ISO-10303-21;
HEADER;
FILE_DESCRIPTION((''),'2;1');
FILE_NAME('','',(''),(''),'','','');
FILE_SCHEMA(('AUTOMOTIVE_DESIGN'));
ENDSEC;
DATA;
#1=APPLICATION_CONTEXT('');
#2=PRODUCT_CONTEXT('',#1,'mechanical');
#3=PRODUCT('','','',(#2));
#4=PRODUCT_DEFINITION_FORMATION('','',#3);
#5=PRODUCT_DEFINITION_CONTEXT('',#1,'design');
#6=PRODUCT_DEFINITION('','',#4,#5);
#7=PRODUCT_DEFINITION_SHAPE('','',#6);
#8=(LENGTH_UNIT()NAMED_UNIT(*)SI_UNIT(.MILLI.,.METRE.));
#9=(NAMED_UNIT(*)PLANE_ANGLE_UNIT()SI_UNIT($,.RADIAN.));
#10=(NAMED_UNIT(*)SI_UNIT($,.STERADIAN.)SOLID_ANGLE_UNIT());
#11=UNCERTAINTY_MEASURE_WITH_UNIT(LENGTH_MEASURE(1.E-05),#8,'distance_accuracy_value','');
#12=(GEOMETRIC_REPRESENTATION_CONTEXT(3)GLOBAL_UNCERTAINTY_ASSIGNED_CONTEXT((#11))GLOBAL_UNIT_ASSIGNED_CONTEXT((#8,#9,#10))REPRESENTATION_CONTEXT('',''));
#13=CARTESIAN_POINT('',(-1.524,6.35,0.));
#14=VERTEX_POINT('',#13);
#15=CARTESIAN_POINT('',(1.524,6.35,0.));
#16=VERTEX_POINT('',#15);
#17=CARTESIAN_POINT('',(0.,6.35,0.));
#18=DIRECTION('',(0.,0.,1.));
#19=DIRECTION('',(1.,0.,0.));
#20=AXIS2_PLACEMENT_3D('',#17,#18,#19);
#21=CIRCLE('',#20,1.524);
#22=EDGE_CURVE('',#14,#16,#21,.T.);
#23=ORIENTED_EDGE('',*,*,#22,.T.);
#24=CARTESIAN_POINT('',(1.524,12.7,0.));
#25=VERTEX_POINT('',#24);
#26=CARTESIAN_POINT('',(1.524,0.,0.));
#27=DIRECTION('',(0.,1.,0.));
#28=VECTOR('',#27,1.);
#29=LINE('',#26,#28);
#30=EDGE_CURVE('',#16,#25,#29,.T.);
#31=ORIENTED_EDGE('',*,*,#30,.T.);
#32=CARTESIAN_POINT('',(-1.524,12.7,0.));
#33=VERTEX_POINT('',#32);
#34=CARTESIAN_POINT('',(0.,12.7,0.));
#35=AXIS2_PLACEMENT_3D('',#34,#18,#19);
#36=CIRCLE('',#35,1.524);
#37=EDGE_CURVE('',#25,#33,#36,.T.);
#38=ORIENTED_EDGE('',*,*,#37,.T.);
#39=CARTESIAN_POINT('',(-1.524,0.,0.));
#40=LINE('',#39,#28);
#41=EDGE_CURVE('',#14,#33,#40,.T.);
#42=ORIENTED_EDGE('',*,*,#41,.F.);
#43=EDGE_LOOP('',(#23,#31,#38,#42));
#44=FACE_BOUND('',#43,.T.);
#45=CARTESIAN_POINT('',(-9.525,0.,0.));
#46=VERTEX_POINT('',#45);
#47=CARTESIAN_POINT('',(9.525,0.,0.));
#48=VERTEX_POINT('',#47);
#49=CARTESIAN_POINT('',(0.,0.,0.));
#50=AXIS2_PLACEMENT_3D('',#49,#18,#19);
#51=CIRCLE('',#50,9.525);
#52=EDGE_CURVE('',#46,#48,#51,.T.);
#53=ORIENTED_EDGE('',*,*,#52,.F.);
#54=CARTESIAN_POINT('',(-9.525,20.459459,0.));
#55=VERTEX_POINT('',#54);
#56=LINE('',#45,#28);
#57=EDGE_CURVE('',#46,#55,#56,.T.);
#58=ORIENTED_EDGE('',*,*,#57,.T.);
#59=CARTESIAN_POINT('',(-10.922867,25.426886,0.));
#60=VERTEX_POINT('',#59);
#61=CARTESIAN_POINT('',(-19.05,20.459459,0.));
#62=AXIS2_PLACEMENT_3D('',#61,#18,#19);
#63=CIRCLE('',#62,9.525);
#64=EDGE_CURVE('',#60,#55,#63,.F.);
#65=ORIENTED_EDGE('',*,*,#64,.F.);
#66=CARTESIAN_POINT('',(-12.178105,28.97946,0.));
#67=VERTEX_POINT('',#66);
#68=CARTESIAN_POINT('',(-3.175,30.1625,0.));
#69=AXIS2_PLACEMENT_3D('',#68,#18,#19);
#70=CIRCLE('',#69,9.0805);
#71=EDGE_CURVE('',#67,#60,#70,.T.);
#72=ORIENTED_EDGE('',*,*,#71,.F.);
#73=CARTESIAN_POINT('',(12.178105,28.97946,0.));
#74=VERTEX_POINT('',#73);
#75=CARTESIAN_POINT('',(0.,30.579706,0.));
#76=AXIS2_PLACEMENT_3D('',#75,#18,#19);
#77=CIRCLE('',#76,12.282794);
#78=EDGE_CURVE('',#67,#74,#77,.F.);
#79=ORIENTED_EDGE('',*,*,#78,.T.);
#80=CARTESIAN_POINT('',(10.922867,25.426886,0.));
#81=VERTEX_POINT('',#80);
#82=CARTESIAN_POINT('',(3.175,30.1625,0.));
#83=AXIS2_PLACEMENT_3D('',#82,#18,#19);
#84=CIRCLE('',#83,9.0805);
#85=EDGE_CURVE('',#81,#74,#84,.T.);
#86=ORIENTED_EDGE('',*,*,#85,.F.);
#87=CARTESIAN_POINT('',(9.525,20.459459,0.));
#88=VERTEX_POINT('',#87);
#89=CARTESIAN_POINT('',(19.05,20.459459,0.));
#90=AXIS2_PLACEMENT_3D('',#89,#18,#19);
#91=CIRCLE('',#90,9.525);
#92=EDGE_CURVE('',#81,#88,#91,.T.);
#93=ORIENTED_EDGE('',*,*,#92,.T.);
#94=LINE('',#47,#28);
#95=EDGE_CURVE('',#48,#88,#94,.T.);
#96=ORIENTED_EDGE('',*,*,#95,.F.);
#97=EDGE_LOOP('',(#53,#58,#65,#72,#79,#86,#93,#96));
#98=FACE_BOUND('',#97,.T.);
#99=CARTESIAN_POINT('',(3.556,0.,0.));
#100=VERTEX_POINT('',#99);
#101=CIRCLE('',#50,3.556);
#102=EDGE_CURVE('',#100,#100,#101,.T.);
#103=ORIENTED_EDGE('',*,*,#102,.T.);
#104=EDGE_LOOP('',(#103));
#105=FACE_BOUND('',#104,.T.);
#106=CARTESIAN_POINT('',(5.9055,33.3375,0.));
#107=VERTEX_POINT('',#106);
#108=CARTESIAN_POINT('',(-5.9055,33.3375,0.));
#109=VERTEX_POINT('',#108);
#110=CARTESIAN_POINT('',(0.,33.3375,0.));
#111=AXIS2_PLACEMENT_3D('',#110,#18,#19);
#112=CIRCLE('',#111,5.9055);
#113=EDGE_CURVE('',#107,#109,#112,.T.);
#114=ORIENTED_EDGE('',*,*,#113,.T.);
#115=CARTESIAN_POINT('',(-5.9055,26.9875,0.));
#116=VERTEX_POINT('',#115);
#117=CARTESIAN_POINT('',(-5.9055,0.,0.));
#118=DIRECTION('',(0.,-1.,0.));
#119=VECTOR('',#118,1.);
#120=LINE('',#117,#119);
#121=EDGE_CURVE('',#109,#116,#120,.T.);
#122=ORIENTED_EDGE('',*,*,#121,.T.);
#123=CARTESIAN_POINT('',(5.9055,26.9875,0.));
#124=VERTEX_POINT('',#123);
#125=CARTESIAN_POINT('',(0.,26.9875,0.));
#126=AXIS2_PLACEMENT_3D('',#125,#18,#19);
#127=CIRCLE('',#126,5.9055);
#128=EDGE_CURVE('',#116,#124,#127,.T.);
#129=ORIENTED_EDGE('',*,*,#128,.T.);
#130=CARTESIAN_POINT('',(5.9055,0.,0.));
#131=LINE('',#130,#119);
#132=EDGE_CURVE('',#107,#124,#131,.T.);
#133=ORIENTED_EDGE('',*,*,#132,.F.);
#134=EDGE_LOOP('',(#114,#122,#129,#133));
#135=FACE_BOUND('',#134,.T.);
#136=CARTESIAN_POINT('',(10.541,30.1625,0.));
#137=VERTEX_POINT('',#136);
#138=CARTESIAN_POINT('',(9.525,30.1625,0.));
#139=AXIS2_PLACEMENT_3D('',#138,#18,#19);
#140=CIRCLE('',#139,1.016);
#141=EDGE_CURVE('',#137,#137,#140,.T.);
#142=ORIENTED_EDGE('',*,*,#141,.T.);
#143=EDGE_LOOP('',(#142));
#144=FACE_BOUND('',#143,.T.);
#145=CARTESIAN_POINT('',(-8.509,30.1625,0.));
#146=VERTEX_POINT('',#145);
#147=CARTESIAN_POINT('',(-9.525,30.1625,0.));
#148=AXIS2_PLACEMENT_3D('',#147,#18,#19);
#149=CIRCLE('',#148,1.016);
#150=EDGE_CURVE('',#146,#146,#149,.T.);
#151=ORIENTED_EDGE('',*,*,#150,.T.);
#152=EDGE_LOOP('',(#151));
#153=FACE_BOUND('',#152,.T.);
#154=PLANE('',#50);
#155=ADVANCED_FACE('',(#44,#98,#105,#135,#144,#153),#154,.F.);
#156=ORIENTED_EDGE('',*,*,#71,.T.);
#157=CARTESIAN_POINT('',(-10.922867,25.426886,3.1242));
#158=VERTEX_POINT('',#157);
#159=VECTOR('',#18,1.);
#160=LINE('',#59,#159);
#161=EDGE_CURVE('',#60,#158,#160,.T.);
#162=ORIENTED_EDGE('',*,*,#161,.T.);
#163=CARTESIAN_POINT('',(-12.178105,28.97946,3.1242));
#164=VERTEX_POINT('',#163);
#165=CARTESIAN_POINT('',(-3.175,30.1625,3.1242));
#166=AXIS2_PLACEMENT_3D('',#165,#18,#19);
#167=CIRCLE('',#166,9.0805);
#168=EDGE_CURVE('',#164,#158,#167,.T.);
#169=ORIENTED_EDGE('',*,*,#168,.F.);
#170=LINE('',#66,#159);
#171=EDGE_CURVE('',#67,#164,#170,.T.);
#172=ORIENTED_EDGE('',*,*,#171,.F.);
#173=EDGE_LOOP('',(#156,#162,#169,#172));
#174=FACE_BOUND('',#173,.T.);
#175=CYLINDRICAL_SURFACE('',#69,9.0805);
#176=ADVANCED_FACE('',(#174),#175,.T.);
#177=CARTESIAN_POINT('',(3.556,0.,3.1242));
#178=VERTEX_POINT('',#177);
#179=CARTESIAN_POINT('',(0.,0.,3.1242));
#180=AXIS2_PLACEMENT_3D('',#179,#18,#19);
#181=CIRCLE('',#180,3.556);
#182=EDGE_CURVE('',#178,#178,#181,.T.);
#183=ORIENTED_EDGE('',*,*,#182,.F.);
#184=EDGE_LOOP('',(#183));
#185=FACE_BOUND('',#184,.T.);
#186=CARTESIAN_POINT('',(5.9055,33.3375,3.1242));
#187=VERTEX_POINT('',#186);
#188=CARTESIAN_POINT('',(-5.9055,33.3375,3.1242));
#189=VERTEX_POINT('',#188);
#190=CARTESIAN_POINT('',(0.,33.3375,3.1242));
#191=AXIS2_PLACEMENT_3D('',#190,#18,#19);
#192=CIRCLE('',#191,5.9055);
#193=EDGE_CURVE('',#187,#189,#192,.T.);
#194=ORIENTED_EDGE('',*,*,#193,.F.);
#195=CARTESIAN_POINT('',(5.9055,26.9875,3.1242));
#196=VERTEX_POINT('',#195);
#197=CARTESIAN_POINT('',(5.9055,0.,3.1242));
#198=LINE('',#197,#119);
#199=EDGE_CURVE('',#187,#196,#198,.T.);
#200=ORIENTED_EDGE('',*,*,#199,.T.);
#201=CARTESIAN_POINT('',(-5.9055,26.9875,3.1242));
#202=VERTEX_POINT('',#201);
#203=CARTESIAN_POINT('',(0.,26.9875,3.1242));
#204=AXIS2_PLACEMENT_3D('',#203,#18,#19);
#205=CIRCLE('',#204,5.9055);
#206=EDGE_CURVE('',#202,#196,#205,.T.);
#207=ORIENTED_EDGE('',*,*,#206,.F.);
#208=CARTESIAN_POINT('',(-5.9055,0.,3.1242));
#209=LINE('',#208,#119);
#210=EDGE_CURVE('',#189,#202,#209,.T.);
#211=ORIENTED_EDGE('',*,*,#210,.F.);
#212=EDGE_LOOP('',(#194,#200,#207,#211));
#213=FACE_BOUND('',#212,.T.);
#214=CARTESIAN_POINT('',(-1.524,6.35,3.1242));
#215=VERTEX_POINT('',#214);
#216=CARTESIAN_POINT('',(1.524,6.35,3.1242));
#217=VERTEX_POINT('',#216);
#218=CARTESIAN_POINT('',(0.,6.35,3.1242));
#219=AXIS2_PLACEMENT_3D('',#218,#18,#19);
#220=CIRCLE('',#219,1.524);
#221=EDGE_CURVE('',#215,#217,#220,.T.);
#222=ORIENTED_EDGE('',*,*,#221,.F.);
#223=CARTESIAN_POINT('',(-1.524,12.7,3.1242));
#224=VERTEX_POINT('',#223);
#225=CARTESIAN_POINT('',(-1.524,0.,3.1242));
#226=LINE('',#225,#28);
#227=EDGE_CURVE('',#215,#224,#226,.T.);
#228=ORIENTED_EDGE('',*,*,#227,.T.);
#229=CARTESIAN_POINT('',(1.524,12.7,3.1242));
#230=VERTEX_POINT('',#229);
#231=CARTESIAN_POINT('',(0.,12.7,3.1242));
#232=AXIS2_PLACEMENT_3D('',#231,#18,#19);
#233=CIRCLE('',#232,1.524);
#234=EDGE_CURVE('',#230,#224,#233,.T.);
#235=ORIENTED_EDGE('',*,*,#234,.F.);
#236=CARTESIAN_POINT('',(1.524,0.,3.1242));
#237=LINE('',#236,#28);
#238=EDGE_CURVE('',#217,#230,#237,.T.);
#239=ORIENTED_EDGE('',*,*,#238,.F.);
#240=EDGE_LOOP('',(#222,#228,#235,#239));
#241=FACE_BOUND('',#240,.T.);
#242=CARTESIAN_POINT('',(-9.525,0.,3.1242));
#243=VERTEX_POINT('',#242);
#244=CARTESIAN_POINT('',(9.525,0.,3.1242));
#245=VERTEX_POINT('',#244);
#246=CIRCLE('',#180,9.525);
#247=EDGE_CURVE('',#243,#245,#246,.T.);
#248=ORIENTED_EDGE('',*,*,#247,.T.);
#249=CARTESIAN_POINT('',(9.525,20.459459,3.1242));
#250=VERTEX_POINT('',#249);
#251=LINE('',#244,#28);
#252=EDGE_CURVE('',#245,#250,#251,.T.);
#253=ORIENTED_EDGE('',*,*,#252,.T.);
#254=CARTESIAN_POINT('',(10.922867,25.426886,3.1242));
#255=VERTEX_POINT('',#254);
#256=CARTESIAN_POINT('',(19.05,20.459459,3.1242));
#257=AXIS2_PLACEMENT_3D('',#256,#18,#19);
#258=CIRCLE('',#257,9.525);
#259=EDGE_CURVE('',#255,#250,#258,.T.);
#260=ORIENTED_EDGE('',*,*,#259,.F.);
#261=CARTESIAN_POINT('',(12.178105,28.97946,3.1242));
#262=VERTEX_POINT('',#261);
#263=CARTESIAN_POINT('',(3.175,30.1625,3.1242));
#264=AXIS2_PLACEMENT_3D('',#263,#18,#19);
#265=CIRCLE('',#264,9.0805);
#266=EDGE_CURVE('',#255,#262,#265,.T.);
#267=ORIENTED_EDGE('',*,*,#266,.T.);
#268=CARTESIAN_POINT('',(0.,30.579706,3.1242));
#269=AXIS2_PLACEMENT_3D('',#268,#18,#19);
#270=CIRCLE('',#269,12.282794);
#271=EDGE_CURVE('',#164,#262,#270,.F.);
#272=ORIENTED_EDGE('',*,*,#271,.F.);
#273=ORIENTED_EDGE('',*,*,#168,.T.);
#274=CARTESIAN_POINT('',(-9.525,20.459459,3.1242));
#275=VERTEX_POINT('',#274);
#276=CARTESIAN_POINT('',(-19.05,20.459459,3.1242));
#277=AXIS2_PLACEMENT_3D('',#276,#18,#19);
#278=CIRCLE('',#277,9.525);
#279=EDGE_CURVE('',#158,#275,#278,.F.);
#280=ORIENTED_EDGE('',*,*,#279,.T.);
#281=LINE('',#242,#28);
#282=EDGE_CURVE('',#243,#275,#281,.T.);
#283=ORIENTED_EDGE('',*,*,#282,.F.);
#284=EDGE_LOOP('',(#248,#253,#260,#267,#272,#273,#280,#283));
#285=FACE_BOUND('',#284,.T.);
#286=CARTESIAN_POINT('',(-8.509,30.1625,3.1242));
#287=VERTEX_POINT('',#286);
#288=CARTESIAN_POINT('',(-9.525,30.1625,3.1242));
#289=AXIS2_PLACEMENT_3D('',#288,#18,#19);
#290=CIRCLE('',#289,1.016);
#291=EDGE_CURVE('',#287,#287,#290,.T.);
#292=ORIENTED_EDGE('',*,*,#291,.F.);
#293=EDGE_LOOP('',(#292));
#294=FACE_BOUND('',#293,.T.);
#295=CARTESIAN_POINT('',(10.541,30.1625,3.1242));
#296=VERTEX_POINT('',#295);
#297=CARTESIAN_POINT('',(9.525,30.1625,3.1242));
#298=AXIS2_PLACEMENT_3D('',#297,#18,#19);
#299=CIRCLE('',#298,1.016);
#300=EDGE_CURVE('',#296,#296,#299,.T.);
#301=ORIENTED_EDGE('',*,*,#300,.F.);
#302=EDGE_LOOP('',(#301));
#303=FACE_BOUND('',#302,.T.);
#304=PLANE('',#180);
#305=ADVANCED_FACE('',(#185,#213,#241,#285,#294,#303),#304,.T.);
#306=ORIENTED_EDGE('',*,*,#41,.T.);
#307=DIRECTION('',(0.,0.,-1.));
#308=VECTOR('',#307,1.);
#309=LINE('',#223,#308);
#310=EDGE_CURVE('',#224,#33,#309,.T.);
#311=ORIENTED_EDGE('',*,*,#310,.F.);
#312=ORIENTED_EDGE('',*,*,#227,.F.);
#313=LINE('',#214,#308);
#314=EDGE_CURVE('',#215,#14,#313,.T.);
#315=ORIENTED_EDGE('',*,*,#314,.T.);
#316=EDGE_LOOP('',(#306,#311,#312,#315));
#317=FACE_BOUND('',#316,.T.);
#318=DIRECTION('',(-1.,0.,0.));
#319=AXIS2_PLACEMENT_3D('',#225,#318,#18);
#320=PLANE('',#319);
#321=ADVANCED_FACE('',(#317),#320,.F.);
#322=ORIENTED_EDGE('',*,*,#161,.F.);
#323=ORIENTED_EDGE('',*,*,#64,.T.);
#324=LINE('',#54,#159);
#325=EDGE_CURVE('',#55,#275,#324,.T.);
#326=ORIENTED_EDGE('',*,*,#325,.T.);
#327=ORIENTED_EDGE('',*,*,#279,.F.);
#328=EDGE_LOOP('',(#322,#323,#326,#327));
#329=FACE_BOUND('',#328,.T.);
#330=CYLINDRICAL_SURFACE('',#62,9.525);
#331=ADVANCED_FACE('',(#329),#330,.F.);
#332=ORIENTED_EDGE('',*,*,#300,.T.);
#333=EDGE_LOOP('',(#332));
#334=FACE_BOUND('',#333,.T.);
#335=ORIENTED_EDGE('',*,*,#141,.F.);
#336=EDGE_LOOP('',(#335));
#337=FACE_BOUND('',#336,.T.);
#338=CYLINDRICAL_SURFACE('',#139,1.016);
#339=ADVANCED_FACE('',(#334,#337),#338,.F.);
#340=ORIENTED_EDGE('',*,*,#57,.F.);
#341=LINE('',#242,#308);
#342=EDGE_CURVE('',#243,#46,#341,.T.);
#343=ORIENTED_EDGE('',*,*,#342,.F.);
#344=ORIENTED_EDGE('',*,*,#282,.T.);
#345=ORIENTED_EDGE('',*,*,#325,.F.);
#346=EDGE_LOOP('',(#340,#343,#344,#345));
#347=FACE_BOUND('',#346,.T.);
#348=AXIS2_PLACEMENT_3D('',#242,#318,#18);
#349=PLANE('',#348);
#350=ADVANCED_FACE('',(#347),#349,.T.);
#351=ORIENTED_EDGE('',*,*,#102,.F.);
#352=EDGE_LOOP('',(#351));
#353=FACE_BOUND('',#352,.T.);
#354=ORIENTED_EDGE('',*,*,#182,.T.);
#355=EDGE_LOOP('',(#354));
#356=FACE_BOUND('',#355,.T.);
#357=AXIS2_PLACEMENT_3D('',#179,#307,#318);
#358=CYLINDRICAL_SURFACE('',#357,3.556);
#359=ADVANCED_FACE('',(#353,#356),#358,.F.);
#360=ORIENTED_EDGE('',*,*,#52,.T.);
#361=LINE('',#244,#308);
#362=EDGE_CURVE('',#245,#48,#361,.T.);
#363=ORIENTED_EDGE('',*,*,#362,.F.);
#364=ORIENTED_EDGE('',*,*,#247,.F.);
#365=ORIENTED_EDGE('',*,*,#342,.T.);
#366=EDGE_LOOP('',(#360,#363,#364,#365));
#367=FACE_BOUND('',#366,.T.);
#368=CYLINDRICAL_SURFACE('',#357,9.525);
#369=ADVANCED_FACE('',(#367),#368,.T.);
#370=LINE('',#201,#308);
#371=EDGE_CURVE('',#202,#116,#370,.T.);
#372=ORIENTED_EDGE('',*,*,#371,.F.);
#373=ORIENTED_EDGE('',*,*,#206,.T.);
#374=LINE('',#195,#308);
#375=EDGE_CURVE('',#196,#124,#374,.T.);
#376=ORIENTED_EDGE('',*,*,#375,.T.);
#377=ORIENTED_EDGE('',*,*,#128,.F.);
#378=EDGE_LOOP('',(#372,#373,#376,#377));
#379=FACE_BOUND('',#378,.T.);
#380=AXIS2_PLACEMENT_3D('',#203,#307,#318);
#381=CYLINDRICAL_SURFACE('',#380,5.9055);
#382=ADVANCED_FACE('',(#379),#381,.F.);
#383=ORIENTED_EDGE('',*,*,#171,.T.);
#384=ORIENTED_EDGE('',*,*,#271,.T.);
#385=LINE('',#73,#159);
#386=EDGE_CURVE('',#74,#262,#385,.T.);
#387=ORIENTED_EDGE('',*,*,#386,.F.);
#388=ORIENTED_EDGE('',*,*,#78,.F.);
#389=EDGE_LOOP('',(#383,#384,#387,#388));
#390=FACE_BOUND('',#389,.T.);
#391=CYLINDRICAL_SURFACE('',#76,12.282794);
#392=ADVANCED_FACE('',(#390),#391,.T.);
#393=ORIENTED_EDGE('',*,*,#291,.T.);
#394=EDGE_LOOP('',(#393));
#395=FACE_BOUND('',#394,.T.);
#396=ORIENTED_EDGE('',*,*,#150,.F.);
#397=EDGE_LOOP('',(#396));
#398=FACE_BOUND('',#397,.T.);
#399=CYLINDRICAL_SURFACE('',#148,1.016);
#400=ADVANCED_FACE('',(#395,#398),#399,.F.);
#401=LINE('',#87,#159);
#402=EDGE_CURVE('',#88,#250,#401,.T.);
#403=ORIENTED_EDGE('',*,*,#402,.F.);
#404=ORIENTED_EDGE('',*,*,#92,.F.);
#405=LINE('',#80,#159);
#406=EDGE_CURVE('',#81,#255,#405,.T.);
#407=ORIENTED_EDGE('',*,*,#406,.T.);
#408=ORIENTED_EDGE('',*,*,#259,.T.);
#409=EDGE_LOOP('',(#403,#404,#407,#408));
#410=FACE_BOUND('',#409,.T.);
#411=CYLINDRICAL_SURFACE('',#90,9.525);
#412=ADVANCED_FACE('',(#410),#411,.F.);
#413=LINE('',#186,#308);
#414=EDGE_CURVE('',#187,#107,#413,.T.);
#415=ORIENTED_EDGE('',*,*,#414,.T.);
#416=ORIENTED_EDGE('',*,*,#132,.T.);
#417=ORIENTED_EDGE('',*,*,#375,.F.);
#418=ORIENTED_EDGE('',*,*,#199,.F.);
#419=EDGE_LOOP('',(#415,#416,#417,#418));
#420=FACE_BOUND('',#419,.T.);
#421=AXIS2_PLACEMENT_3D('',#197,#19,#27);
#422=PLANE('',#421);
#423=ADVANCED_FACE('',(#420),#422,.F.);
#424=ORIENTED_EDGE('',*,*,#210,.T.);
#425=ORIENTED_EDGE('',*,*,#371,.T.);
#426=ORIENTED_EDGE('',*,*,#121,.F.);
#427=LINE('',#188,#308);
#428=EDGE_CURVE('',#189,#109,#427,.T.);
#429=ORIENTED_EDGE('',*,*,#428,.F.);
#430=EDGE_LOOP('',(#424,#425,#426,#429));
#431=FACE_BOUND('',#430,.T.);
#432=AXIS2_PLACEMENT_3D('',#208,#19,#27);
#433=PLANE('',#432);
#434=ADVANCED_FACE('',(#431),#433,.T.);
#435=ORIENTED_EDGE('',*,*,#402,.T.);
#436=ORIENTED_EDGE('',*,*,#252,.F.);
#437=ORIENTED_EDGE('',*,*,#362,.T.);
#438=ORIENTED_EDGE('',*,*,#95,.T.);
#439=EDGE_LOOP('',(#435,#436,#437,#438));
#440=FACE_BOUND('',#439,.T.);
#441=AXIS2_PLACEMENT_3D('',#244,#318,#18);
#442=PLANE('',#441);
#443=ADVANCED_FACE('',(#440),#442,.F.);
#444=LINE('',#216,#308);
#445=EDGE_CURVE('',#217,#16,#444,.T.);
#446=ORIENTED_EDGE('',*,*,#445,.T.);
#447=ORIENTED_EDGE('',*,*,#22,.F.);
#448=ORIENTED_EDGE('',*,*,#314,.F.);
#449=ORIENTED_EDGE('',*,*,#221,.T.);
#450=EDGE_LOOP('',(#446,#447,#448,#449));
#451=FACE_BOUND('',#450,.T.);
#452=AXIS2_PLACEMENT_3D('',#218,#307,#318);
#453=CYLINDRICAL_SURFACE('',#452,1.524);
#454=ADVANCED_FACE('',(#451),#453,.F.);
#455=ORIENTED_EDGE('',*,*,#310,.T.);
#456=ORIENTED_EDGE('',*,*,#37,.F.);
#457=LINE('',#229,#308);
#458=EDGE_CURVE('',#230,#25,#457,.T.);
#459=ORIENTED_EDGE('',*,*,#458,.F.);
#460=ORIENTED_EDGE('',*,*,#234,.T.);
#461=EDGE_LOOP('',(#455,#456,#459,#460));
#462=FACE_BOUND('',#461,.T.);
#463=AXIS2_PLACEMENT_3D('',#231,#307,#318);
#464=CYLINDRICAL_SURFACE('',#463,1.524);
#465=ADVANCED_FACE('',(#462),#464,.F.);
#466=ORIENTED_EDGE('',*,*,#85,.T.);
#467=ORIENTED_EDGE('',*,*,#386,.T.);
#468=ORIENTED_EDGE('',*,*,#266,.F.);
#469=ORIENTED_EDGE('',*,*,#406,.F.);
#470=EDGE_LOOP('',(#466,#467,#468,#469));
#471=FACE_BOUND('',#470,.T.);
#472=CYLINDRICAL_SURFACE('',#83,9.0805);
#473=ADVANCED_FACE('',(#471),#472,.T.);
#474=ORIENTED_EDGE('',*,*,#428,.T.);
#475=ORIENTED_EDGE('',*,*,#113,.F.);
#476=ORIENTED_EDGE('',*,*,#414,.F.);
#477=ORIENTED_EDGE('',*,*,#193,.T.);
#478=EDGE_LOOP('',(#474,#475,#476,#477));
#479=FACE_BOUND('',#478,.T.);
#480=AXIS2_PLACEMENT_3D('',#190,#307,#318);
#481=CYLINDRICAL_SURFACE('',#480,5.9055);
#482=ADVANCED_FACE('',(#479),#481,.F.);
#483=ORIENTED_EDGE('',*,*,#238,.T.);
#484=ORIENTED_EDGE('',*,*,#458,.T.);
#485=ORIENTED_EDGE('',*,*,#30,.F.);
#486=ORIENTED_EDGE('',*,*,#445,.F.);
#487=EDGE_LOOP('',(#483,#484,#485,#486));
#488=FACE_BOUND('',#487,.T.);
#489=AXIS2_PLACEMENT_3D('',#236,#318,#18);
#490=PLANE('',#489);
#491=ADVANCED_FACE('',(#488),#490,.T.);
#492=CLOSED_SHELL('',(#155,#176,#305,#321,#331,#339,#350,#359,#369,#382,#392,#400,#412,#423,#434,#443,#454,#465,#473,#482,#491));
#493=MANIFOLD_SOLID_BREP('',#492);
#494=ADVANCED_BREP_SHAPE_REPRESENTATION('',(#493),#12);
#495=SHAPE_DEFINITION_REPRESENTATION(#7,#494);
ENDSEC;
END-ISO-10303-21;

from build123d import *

# Parameters (mm, degrees)
CROQUIS1_R              = 3.556
SALIENTE_EXTRUIR1_DEPTH = 3.1242
SALIENTE_EXTRUIR3_START = -3.1242
SALIENTE_EXTRUIR3_DEPTH = 3.1242
CROQUIS3_R              = 1.016
CORTAR_EXTRUIR1_DEPTH   = 45.69699718


with BuildPart() as part:
    # Croquis1 → Saliente-Extruir1 (new body)
    with BuildSketch(Plane.XY):
        with BuildLine():
            Line((9.525, 0), (9.525, 33.3375))
            ThreePointArc((9.525, 33.3375), (0, 42.8625), (-9.525, 33.3375))
            Line((-9.525, 33.3375), (-9.525, 0))
            ThreePointArc((-9.525, 0), (0, -9.525), (9.525, 0))
        make_face()
        Circle(CROQUIS1_R, mode=Mode.SUBTRACT)
        with BuildLine():
            ThreePointArc((-5.9055, 26.9875), (0, 21.082), (5.9055, 26.9875))
            Line((5.9055, 26.9875), (5.9055, 33.3375))
            ThreePointArc((5.9055, 33.3375), (0, 39.243), (-5.9055, 33.3375))
            Line((-5.9055, 33.3375), (-5.9055, 26.9875))
        make_face(mode=Mode.SUBTRACT)
        with BuildLine():
            ThreePointArc((1.524, 12.7), (0, 14.224), (-1.524, 12.7))
            Line((-1.524, 12.7), (-1.524, 6.35))
            ThreePointArc((-1.524, 6.35), (0, 4.826), (1.524, 6.35))
            Line((1.524, 6.35), (1.524, 12.7))
        make_face(mode=Mode.SUBTRACT)
    extrude(amount=SALIENTE_EXTRUIR1_DEPTH)

    # Croquis2 → Saliente-Extruir3 (add)
    with BuildSketch(Plane.XY.offset(3.1242).offset(SALIENTE_EXTRUIR3_START)):
        with BuildLine():
            ThreePointArc((-9.525, 33.3375), (-6.735192091, 40.072692091), (0, 42.8625))
            ThreePointArc((0, 42.8625), (-9.233702216, 38.679444926), (-12.178104888, 28.979460428))
            ThreePointArc((-12.178104888, 28.979460428), (-11.736773179, 27.137352023), (-10.922866894, 25.426886118))
            ThreePointArc((-10.922866894, 25.426886118), (-9.881124174, 23.039641343), (-9.525, 20.459458969))
            Line((-9.525, 20.459458969), (-9.525, 29.1465))
            ThreePointArc((-9.525, 29.1465), (-10.541, 30.1625), (-9.525, 31.1785))
            Line((-9.525, 31.1785), (-9.525, 33.3375))
        make_face()
        with BuildLine():
            ThreePointArc((12.178104888, 28.979460428), (9.233702216, 38.679444926), (0, 42.8625))
            ThreePointArc((0, 42.8625), (6.735192091, 40.072692091), (9.525, 33.3375))
            Line((9.525, 33.3375), (9.525, 31.1785))
            ThreePointArc((9.525, 31.1785), (10.541, 30.1625), (9.525, 29.1465))
            Line((9.525, 29.1465), (9.525, 20.459458969))
            ThreePointArc((9.525, 20.459458969), (9.881124174, 23.039641343), (10.922866894, 25.426886118))
            ThreePointArc((10.922866894, 25.426886118), (11.736773179, 27.137352023), (12.178104888, 28.979460428))
        make_face()
    extrude(amount=SALIENTE_EXTRUIR3_DEPTH)

    # Croquis3 → Cortar-Extruir1 (cut, through all)
    with BuildSketch(Plane.XY.offset(3.1242)):
        with Locations((-9.525, 30.1625)):
            Circle(CROQUIS3_R)
        with Locations((9.525, 30.1625)):
            Circle(CROQUIS3_R)
    extrude(amount=-CORTAR_EXTRUIR1_DEPTH, mode=Mode.SUBTRACT)


solid = part.part
